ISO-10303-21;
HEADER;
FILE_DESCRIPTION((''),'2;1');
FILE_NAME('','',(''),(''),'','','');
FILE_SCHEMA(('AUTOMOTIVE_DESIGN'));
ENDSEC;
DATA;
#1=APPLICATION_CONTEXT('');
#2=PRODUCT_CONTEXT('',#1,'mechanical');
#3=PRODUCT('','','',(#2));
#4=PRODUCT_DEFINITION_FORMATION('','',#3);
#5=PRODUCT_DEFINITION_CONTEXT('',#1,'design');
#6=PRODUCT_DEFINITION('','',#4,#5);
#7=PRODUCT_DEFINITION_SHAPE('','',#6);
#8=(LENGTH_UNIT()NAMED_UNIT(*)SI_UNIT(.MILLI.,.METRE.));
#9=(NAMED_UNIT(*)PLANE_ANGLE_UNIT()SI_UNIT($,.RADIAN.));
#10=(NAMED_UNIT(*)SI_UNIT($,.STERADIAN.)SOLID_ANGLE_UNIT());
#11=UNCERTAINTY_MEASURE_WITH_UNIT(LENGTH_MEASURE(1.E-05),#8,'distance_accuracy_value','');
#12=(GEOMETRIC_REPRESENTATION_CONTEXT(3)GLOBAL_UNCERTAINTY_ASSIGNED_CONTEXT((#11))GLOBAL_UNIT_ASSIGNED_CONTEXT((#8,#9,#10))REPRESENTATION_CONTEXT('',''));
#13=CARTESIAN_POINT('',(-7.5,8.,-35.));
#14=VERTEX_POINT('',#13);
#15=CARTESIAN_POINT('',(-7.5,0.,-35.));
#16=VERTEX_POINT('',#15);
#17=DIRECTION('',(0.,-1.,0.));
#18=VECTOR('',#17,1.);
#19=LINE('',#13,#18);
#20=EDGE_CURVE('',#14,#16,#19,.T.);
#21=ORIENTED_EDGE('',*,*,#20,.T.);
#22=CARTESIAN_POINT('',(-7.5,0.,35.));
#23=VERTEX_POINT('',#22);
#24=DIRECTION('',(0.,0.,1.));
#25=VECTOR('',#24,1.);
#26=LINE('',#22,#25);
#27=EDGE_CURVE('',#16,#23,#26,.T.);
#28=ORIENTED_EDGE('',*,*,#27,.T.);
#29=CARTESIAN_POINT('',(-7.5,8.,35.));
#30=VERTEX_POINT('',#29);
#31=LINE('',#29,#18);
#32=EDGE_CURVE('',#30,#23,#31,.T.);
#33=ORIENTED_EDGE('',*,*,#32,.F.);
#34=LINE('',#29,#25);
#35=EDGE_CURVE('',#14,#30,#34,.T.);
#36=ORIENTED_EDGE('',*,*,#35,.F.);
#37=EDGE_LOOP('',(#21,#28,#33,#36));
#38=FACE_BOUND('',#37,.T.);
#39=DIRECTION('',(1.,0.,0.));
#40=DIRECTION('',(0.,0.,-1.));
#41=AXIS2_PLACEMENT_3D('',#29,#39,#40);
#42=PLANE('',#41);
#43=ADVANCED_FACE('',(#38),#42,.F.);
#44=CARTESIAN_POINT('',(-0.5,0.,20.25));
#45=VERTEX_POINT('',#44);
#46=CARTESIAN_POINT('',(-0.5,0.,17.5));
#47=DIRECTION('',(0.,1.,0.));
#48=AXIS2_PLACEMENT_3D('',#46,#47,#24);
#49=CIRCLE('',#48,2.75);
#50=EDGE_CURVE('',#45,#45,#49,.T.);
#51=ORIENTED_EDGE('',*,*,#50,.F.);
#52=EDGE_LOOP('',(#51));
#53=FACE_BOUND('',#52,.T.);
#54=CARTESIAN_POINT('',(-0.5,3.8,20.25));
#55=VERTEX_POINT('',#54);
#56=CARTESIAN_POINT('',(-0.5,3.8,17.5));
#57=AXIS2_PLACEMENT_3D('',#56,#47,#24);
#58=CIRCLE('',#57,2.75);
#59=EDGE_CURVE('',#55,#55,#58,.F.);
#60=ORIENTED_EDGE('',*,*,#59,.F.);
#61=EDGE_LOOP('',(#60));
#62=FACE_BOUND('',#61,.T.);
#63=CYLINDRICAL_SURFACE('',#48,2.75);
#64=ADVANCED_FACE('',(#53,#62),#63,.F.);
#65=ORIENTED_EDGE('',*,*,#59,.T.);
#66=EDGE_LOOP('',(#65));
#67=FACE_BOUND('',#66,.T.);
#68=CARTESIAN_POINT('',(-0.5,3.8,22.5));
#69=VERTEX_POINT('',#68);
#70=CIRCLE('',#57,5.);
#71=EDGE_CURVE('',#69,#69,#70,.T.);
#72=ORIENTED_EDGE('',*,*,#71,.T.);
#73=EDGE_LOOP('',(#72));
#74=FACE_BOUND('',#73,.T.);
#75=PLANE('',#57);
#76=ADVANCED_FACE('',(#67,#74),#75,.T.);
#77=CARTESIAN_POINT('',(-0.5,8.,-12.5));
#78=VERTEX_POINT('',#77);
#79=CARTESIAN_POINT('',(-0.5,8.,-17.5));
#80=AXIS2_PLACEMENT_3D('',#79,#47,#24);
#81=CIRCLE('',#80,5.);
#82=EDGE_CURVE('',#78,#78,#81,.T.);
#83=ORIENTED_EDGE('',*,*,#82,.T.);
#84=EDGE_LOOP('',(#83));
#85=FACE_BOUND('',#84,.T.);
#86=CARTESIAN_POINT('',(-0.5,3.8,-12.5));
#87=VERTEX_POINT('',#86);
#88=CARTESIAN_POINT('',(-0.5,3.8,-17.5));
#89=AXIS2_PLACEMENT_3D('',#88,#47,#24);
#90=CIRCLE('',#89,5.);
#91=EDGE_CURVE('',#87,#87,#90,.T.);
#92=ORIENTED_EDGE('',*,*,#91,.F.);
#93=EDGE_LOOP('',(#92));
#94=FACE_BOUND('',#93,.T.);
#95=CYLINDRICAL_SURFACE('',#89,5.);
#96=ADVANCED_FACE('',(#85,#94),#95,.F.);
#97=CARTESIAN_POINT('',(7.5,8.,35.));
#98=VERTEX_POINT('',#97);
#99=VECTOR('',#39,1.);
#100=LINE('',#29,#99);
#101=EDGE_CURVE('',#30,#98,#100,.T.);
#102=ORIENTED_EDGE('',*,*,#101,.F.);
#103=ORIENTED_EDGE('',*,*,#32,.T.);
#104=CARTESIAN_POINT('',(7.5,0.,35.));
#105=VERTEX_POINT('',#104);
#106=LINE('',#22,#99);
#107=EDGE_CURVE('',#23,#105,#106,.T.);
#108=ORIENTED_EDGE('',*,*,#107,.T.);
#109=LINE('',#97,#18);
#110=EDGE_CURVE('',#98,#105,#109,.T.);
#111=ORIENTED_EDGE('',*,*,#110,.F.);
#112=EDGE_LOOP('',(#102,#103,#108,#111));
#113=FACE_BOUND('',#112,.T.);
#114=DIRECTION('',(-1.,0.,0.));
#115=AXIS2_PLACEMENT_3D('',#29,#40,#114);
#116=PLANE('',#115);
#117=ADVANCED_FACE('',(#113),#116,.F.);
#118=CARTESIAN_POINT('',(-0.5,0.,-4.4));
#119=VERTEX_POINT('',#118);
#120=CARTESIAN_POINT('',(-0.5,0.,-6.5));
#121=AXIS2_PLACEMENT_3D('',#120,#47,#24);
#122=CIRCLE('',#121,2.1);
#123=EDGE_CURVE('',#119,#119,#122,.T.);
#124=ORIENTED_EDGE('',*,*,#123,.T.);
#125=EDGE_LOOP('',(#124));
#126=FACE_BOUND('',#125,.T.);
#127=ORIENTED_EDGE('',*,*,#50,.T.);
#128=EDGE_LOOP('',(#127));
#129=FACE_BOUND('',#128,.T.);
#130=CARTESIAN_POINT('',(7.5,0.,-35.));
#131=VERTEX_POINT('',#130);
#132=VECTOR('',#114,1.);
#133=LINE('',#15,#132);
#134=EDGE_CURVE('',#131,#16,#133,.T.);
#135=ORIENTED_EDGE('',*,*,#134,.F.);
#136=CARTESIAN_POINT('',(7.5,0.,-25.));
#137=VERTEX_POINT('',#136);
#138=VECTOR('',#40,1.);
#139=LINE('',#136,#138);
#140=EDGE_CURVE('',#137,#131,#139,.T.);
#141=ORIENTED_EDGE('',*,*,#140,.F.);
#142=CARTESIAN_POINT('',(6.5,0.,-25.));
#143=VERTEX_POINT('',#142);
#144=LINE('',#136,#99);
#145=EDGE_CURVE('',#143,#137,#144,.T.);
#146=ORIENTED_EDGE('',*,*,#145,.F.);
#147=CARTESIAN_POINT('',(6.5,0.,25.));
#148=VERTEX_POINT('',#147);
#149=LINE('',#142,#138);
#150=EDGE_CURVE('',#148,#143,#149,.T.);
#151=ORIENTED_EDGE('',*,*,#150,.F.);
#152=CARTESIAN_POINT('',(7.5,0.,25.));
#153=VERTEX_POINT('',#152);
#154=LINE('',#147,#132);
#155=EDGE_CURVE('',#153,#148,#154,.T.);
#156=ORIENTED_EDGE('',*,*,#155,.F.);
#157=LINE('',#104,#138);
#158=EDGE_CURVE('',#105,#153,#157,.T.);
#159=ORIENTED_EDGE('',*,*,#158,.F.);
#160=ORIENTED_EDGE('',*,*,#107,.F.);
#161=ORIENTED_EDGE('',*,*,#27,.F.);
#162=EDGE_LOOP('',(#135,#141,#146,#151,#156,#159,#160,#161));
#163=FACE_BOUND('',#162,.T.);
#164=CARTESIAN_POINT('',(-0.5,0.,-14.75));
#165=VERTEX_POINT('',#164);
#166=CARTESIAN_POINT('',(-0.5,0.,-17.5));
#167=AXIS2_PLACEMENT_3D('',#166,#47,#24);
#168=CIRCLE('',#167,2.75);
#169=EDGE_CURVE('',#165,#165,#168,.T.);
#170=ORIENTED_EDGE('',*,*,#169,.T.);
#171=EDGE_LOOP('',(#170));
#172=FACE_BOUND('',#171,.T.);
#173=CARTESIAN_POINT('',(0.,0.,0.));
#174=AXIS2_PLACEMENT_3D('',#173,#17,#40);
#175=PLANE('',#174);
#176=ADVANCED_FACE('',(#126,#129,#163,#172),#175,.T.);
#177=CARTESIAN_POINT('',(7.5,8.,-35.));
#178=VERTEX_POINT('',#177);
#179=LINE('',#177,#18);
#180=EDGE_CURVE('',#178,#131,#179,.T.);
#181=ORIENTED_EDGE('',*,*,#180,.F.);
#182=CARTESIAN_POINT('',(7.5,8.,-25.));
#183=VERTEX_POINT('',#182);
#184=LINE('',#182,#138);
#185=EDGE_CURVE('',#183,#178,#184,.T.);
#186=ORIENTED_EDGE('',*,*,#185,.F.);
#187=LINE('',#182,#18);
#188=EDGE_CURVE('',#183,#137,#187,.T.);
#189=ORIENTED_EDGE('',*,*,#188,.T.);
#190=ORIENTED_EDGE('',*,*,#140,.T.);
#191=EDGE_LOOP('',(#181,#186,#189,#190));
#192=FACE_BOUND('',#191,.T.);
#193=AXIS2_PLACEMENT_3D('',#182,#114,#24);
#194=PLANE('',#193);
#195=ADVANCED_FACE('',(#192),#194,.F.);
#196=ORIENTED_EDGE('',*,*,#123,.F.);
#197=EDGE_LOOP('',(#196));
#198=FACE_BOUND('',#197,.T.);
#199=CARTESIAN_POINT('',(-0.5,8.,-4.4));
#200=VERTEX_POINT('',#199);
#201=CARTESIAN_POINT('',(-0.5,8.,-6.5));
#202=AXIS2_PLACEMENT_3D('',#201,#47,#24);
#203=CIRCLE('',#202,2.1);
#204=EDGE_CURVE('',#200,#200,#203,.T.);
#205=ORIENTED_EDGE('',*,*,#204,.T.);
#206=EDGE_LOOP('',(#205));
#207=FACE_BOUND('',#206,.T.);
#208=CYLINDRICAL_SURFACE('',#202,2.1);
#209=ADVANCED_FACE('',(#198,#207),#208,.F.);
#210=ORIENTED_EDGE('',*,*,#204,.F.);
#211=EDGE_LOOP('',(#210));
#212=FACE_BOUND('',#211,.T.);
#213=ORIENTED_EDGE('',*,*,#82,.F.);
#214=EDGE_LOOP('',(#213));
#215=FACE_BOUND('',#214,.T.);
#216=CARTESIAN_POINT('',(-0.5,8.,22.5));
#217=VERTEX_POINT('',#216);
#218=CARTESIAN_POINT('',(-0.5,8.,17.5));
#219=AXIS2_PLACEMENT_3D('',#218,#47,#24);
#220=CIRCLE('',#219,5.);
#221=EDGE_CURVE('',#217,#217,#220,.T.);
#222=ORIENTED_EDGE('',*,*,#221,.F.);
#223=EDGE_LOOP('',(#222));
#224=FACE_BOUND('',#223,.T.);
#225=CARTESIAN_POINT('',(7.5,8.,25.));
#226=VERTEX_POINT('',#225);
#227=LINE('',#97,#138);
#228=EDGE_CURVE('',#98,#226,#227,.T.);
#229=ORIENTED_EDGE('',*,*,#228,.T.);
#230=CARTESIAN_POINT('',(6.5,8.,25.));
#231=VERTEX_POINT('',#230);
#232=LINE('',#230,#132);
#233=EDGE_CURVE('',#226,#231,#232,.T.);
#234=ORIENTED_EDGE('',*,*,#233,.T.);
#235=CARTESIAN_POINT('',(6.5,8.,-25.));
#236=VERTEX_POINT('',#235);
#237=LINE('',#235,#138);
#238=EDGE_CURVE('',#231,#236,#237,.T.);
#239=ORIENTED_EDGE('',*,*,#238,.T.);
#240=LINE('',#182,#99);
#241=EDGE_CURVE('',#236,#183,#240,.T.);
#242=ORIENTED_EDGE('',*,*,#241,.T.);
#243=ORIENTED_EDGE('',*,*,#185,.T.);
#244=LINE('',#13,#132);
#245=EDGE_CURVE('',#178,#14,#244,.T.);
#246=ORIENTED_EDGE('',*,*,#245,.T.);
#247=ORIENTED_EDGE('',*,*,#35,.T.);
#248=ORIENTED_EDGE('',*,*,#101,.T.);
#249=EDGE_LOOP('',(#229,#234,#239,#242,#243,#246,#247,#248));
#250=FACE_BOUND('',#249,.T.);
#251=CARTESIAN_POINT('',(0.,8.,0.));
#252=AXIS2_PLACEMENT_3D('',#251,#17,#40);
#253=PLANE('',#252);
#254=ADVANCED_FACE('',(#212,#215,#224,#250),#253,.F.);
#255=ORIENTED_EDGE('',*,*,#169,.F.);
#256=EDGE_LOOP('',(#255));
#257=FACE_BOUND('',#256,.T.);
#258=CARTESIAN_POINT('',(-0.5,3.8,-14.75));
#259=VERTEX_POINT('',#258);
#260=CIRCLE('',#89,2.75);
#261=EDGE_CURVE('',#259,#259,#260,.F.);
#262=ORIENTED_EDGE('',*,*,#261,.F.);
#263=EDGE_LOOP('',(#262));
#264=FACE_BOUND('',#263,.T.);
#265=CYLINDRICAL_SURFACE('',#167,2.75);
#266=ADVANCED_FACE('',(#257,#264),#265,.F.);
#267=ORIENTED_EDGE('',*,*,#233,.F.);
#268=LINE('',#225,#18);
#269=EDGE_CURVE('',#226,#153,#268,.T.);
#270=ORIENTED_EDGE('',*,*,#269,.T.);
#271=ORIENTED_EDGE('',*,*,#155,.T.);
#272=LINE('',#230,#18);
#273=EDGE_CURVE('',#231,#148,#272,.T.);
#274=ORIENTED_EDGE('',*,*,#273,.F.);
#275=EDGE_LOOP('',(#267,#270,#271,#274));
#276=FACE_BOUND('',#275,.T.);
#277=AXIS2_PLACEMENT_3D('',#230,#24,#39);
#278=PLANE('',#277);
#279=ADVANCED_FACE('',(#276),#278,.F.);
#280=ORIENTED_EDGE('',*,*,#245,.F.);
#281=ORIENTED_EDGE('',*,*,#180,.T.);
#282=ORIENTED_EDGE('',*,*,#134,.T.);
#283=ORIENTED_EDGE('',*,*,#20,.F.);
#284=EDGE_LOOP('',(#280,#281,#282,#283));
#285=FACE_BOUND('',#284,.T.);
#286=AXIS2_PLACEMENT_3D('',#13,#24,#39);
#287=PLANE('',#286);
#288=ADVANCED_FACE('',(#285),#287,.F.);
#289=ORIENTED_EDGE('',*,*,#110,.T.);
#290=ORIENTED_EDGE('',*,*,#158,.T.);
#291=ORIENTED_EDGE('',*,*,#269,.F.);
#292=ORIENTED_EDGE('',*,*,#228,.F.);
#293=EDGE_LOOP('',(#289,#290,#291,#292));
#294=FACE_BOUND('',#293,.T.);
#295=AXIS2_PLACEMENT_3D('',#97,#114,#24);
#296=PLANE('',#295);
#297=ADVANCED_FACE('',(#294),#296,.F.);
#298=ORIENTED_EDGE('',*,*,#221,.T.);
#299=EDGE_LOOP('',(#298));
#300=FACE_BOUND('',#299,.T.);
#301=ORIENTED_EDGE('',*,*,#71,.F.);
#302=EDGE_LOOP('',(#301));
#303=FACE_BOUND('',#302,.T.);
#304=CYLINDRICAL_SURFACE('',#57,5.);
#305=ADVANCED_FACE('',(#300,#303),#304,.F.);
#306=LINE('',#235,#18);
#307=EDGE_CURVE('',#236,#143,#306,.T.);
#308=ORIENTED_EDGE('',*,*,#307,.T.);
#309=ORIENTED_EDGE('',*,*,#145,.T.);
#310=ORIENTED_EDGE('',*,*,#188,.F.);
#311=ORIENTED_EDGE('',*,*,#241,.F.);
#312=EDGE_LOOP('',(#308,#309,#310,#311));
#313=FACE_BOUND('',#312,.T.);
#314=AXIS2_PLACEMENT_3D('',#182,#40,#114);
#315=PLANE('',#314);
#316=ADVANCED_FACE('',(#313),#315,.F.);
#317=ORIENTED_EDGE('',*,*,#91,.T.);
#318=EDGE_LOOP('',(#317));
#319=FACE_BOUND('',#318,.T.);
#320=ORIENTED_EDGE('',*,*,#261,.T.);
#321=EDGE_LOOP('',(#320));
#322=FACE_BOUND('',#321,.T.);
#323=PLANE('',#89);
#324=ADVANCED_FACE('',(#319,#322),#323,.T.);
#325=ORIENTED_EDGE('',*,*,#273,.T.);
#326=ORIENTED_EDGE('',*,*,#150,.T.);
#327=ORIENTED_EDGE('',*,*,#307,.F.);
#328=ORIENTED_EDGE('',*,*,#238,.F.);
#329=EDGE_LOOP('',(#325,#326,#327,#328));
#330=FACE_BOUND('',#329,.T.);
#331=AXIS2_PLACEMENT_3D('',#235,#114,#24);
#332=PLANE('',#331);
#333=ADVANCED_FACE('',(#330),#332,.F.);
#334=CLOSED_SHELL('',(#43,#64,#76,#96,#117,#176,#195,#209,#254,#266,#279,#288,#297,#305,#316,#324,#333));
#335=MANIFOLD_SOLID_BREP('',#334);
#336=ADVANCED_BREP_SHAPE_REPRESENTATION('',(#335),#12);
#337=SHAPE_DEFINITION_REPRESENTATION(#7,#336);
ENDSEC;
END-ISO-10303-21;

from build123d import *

# Parameters (mm, degrees)
BOSS_EXTRUDE1_DEPTH = 8
SKETCH2_R           = 2.75
CUT_EXTRUDE1_DEPTH  = 9
SKETCH3_R           = 5
CUT_EXTRUDE2_DEPTH  = 4.2
M5_TAPPED_HOLE1_D   = 4.2


with BuildPart() as part:
    # Sketch1 → Boss-Extrude1 (new body)
    with BuildSketch(Plane(origin=(0, 0, 0), x_dir=(1, 0, 0), z_dir=(0, 1, 0))):
        Polygon((7.5, 25), (6.5, 25), (6.5, -25), (7.5, -25), (7.5, -35), (-7.5, -35), (-7.5, 35), (7.5, 35), align=None)
    extrude(amount=BOSS_EXTRUDE1_DEPTH)

    # Sketch2 → Cut-Extrude1 (cut, through all)
    with BuildSketch(Plane(origin=(0, 8, 0), x_dir=(1, 0, 0), z_dir=(0, 1, 0))):
        with Locations((-0.5, 17.5)):
            Circle(SKETCH2_R)
        with Locations((-0.5, -17.5)):
            Circle(SKETCH2_R)
    extrude(amount=-CUT_EXTRUDE1_DEPTH, mode=Mode.SUBTRACT)

    # Sketch3 → Cut-Extrude2 (cut)
    with BuildSketch(Plane(origin=(0, 8, 0), x_dir=(1, 0, 0), z_dir=(0, 1, 0))):
        with Locations((-0.5, 17.5)):
            Circle(SKETCH3_R)
        with Locations((-0.5, -17.5)):
            Circle(SKETCH3_R)
    extrude(amount=-CUT_EXTRUDE2_DEPTH, mode=Mode.SUBTRACT)

    # M5 Tapped Hole1 (through all)
    with Locations(Plane(origin=(0, 8, 0), x_dir=(1, 0, 0), z_dir=(0, 1, 0))):
        with Locations((-0.5, 6.5)):
            Hole(M5_TAPPED_HOLE1_D / 2)


solid = part.part
